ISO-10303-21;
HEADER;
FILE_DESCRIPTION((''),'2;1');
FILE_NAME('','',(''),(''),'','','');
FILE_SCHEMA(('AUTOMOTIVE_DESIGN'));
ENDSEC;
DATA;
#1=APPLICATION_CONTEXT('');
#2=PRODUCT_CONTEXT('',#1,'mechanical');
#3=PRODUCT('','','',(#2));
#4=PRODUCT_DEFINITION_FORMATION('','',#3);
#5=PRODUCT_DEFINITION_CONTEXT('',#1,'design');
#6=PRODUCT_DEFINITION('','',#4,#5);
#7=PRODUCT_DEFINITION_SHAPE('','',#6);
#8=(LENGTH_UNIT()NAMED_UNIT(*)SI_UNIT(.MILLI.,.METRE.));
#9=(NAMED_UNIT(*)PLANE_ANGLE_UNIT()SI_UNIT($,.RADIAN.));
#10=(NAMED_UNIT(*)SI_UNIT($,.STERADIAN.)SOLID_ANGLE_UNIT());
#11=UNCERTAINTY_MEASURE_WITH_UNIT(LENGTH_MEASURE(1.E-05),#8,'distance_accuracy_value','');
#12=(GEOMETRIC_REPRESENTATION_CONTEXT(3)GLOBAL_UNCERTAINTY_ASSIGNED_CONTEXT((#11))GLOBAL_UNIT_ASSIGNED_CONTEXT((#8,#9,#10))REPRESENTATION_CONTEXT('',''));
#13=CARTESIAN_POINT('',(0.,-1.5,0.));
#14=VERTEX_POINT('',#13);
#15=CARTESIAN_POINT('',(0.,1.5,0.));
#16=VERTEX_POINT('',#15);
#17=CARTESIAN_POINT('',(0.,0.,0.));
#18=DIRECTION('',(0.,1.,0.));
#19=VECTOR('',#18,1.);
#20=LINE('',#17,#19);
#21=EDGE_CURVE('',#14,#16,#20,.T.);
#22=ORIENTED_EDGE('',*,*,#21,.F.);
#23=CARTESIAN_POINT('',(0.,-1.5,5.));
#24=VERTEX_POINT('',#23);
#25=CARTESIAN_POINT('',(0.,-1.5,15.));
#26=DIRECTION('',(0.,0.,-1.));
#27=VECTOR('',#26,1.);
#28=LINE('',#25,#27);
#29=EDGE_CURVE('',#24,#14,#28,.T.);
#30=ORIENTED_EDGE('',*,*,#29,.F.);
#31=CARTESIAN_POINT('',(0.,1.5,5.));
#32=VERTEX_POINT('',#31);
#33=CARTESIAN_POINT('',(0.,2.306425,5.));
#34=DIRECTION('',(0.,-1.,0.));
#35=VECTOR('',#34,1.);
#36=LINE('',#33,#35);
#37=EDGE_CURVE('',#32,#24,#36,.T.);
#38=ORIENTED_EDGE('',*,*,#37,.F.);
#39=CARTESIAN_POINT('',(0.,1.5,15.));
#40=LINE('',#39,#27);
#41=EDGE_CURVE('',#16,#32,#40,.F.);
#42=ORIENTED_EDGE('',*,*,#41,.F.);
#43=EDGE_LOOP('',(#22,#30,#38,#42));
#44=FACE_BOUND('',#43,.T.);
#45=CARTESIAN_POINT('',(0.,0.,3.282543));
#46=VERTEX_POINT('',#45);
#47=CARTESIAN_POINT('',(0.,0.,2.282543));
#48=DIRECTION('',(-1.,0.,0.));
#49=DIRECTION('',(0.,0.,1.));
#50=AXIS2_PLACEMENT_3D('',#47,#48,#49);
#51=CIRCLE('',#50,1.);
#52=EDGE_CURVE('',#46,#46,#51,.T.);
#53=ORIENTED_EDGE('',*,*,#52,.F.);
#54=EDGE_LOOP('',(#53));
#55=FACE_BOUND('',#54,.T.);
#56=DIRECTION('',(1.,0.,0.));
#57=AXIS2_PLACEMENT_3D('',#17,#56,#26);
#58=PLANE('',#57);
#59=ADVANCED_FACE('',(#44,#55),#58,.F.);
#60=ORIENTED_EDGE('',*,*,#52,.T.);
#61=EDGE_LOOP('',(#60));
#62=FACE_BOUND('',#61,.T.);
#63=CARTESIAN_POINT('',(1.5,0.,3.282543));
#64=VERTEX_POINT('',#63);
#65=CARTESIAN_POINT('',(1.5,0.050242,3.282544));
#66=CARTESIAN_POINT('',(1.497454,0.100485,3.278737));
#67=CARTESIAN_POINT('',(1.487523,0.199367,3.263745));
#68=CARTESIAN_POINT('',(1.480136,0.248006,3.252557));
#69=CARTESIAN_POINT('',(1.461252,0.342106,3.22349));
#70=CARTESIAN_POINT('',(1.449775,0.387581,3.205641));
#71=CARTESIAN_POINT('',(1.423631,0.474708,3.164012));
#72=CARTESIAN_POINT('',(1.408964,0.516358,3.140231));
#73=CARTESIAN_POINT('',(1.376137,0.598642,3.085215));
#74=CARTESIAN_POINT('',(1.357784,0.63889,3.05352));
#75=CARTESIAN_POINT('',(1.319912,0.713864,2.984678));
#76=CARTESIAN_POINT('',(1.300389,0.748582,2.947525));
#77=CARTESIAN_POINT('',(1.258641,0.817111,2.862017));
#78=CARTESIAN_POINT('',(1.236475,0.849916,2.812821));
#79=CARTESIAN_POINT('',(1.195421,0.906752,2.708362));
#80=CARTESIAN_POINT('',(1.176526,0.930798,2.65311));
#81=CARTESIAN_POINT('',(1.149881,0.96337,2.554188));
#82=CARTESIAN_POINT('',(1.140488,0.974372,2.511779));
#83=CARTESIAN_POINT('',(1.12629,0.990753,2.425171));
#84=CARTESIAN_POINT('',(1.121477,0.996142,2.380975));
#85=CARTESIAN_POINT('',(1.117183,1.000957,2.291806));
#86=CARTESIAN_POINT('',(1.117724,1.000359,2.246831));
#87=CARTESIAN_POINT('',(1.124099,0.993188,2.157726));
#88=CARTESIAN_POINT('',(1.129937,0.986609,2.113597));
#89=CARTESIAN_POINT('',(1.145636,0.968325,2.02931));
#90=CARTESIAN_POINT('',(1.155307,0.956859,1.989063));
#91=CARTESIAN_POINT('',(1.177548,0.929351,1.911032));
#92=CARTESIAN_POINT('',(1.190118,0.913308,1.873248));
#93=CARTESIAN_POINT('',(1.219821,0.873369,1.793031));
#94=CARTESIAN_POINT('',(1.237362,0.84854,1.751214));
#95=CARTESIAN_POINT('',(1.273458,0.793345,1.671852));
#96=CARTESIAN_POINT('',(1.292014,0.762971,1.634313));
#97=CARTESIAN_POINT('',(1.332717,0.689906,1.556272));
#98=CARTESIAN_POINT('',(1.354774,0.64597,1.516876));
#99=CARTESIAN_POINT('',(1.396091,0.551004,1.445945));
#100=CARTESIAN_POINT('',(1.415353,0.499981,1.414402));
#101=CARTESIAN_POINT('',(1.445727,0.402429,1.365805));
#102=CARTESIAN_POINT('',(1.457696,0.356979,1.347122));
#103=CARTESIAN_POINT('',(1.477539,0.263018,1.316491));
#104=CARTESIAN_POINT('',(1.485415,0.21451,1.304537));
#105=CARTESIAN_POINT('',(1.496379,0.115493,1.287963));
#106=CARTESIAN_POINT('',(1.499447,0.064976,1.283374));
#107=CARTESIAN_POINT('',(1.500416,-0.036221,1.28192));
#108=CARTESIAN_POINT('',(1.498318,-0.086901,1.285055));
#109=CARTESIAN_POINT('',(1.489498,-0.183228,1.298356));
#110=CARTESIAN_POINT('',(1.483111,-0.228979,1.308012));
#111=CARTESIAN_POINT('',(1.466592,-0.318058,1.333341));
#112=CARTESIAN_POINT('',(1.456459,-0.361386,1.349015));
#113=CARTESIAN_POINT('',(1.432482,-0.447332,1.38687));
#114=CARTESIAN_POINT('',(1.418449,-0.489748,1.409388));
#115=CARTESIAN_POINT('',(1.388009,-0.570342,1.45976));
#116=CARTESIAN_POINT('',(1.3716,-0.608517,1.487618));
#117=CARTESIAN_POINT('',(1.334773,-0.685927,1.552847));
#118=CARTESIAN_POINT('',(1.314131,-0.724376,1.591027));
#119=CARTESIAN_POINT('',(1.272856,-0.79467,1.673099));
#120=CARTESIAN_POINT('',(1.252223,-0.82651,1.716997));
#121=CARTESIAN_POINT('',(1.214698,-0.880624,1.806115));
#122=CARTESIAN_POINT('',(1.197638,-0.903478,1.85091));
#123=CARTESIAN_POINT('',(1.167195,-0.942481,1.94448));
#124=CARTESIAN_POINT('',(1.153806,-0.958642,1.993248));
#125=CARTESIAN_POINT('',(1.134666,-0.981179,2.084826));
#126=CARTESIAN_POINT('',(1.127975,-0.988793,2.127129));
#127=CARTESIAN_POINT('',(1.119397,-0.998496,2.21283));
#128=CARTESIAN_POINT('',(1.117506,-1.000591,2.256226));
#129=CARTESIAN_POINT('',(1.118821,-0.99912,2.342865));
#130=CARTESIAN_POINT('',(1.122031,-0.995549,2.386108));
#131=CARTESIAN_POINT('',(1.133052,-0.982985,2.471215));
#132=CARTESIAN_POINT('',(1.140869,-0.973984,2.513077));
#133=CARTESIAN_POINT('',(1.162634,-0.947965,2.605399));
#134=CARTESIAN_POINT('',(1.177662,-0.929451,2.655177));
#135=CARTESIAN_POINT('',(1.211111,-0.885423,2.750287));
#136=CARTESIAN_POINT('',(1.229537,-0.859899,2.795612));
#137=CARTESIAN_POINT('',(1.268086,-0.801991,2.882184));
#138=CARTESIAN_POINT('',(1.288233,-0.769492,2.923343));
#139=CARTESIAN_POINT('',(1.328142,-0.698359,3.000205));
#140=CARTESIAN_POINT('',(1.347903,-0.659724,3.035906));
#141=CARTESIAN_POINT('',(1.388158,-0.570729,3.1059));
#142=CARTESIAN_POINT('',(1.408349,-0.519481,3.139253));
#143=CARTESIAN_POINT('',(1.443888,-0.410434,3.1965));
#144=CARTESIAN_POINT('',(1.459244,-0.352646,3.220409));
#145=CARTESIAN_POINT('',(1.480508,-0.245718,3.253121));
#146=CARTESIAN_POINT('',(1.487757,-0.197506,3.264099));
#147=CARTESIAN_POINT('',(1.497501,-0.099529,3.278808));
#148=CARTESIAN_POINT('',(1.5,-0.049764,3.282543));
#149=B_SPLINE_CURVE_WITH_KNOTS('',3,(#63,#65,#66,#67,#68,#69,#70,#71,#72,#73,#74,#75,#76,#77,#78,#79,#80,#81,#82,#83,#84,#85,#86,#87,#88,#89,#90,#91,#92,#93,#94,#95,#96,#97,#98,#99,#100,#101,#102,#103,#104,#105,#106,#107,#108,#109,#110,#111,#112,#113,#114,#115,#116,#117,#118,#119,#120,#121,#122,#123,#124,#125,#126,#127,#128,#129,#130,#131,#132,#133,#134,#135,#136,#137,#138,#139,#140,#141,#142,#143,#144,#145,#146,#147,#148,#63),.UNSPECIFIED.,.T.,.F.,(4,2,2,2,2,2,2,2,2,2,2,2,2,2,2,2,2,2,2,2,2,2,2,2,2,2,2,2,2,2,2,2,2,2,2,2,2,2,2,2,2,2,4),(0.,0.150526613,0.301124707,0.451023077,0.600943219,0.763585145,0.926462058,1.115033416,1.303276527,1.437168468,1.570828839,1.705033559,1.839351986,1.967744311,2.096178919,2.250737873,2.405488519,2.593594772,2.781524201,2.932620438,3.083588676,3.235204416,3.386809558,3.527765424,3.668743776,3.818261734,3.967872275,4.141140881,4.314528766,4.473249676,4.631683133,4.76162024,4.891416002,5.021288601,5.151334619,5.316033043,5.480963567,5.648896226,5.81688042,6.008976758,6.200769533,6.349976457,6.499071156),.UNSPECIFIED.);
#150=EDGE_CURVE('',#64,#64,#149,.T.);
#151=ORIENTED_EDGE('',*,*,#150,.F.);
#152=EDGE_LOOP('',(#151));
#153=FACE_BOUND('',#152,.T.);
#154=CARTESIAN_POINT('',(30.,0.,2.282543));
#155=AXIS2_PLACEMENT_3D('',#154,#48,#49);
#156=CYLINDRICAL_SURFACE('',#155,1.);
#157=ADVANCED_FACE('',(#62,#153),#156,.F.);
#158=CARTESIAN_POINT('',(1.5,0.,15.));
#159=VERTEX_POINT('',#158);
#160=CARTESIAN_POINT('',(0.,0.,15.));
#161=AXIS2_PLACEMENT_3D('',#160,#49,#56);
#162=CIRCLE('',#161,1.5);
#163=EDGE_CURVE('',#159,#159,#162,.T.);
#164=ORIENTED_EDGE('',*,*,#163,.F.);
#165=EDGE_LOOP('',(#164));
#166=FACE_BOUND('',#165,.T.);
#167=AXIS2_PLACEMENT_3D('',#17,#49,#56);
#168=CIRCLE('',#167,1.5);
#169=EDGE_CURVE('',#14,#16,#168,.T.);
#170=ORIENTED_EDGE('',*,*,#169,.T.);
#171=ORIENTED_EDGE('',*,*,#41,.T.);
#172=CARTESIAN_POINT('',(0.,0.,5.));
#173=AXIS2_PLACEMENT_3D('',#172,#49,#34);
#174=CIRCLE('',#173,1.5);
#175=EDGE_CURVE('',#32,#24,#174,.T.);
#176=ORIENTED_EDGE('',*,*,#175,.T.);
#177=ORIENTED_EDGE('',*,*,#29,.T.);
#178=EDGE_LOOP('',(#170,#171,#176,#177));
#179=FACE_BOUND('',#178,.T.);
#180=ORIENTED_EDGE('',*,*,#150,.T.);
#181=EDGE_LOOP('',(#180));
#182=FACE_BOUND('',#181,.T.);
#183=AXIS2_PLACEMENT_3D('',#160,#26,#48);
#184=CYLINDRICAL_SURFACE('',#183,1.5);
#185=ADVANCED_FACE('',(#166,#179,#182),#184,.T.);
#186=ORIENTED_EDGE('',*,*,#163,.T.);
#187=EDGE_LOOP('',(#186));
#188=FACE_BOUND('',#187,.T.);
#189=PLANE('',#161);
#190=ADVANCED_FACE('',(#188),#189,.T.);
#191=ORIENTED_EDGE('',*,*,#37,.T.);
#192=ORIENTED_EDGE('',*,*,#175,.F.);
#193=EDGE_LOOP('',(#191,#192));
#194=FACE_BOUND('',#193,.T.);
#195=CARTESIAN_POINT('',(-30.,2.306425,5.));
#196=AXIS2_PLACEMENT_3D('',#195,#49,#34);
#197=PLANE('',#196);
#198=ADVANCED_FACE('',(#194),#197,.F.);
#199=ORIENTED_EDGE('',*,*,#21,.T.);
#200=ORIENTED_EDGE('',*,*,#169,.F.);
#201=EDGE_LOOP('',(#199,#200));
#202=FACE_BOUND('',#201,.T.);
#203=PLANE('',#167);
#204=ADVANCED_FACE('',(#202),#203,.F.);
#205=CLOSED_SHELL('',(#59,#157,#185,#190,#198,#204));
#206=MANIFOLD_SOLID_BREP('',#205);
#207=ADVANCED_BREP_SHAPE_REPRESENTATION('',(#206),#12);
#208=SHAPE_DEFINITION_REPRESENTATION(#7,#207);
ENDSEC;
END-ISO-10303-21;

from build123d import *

# Parameters (mm, degrees)
SKETCH1_R           = 1.5
BOSS_EXTRUDE1_DEPTH = 15
SKETCH2_W           = 5
SKETCH2_H           = 4.697023624
CUT_EXTRUDE1_DEPTH  = 30
SKETCH3_R           = 1
CUT_EXTRUDE2_DEPTH  = 30


with BuildPart() as part:
    # Sketch1 → Boss-Extrude1 (new body)
    with BuildSketch(Plane.XY):
        Circle(SKETCH1_R)
    extrude(amount=BOSS_EXTRUDE1_DEPTH)

    # Sketch2 → Cut-Extrude1 (cut)
    with BuildSketch(Plane(origin=(0, 0, 0), x_dir=(0, 0, -1), z_dir=(1, 0, 0))):
        with Locations((-2.5, -0.042086347)):
            Rectangle(SKETCH2_W, SKETCH2_H)
    extrude(amount=-CUT_EXTRUDE1_DEPTH, mode=Mode.SUBTRACT)

    # Sketch3 → Cut-Extrude2 (cut)
    with BuildSketch(Plane.ZY):
        with Locations((2.282543491, 0)):
            Circle(SKETCH3_R)
    extrude(amount=-CUT_EXTRUDE2_DEPTH, mode=Mode.SUBTRACT)


solid = part.part
